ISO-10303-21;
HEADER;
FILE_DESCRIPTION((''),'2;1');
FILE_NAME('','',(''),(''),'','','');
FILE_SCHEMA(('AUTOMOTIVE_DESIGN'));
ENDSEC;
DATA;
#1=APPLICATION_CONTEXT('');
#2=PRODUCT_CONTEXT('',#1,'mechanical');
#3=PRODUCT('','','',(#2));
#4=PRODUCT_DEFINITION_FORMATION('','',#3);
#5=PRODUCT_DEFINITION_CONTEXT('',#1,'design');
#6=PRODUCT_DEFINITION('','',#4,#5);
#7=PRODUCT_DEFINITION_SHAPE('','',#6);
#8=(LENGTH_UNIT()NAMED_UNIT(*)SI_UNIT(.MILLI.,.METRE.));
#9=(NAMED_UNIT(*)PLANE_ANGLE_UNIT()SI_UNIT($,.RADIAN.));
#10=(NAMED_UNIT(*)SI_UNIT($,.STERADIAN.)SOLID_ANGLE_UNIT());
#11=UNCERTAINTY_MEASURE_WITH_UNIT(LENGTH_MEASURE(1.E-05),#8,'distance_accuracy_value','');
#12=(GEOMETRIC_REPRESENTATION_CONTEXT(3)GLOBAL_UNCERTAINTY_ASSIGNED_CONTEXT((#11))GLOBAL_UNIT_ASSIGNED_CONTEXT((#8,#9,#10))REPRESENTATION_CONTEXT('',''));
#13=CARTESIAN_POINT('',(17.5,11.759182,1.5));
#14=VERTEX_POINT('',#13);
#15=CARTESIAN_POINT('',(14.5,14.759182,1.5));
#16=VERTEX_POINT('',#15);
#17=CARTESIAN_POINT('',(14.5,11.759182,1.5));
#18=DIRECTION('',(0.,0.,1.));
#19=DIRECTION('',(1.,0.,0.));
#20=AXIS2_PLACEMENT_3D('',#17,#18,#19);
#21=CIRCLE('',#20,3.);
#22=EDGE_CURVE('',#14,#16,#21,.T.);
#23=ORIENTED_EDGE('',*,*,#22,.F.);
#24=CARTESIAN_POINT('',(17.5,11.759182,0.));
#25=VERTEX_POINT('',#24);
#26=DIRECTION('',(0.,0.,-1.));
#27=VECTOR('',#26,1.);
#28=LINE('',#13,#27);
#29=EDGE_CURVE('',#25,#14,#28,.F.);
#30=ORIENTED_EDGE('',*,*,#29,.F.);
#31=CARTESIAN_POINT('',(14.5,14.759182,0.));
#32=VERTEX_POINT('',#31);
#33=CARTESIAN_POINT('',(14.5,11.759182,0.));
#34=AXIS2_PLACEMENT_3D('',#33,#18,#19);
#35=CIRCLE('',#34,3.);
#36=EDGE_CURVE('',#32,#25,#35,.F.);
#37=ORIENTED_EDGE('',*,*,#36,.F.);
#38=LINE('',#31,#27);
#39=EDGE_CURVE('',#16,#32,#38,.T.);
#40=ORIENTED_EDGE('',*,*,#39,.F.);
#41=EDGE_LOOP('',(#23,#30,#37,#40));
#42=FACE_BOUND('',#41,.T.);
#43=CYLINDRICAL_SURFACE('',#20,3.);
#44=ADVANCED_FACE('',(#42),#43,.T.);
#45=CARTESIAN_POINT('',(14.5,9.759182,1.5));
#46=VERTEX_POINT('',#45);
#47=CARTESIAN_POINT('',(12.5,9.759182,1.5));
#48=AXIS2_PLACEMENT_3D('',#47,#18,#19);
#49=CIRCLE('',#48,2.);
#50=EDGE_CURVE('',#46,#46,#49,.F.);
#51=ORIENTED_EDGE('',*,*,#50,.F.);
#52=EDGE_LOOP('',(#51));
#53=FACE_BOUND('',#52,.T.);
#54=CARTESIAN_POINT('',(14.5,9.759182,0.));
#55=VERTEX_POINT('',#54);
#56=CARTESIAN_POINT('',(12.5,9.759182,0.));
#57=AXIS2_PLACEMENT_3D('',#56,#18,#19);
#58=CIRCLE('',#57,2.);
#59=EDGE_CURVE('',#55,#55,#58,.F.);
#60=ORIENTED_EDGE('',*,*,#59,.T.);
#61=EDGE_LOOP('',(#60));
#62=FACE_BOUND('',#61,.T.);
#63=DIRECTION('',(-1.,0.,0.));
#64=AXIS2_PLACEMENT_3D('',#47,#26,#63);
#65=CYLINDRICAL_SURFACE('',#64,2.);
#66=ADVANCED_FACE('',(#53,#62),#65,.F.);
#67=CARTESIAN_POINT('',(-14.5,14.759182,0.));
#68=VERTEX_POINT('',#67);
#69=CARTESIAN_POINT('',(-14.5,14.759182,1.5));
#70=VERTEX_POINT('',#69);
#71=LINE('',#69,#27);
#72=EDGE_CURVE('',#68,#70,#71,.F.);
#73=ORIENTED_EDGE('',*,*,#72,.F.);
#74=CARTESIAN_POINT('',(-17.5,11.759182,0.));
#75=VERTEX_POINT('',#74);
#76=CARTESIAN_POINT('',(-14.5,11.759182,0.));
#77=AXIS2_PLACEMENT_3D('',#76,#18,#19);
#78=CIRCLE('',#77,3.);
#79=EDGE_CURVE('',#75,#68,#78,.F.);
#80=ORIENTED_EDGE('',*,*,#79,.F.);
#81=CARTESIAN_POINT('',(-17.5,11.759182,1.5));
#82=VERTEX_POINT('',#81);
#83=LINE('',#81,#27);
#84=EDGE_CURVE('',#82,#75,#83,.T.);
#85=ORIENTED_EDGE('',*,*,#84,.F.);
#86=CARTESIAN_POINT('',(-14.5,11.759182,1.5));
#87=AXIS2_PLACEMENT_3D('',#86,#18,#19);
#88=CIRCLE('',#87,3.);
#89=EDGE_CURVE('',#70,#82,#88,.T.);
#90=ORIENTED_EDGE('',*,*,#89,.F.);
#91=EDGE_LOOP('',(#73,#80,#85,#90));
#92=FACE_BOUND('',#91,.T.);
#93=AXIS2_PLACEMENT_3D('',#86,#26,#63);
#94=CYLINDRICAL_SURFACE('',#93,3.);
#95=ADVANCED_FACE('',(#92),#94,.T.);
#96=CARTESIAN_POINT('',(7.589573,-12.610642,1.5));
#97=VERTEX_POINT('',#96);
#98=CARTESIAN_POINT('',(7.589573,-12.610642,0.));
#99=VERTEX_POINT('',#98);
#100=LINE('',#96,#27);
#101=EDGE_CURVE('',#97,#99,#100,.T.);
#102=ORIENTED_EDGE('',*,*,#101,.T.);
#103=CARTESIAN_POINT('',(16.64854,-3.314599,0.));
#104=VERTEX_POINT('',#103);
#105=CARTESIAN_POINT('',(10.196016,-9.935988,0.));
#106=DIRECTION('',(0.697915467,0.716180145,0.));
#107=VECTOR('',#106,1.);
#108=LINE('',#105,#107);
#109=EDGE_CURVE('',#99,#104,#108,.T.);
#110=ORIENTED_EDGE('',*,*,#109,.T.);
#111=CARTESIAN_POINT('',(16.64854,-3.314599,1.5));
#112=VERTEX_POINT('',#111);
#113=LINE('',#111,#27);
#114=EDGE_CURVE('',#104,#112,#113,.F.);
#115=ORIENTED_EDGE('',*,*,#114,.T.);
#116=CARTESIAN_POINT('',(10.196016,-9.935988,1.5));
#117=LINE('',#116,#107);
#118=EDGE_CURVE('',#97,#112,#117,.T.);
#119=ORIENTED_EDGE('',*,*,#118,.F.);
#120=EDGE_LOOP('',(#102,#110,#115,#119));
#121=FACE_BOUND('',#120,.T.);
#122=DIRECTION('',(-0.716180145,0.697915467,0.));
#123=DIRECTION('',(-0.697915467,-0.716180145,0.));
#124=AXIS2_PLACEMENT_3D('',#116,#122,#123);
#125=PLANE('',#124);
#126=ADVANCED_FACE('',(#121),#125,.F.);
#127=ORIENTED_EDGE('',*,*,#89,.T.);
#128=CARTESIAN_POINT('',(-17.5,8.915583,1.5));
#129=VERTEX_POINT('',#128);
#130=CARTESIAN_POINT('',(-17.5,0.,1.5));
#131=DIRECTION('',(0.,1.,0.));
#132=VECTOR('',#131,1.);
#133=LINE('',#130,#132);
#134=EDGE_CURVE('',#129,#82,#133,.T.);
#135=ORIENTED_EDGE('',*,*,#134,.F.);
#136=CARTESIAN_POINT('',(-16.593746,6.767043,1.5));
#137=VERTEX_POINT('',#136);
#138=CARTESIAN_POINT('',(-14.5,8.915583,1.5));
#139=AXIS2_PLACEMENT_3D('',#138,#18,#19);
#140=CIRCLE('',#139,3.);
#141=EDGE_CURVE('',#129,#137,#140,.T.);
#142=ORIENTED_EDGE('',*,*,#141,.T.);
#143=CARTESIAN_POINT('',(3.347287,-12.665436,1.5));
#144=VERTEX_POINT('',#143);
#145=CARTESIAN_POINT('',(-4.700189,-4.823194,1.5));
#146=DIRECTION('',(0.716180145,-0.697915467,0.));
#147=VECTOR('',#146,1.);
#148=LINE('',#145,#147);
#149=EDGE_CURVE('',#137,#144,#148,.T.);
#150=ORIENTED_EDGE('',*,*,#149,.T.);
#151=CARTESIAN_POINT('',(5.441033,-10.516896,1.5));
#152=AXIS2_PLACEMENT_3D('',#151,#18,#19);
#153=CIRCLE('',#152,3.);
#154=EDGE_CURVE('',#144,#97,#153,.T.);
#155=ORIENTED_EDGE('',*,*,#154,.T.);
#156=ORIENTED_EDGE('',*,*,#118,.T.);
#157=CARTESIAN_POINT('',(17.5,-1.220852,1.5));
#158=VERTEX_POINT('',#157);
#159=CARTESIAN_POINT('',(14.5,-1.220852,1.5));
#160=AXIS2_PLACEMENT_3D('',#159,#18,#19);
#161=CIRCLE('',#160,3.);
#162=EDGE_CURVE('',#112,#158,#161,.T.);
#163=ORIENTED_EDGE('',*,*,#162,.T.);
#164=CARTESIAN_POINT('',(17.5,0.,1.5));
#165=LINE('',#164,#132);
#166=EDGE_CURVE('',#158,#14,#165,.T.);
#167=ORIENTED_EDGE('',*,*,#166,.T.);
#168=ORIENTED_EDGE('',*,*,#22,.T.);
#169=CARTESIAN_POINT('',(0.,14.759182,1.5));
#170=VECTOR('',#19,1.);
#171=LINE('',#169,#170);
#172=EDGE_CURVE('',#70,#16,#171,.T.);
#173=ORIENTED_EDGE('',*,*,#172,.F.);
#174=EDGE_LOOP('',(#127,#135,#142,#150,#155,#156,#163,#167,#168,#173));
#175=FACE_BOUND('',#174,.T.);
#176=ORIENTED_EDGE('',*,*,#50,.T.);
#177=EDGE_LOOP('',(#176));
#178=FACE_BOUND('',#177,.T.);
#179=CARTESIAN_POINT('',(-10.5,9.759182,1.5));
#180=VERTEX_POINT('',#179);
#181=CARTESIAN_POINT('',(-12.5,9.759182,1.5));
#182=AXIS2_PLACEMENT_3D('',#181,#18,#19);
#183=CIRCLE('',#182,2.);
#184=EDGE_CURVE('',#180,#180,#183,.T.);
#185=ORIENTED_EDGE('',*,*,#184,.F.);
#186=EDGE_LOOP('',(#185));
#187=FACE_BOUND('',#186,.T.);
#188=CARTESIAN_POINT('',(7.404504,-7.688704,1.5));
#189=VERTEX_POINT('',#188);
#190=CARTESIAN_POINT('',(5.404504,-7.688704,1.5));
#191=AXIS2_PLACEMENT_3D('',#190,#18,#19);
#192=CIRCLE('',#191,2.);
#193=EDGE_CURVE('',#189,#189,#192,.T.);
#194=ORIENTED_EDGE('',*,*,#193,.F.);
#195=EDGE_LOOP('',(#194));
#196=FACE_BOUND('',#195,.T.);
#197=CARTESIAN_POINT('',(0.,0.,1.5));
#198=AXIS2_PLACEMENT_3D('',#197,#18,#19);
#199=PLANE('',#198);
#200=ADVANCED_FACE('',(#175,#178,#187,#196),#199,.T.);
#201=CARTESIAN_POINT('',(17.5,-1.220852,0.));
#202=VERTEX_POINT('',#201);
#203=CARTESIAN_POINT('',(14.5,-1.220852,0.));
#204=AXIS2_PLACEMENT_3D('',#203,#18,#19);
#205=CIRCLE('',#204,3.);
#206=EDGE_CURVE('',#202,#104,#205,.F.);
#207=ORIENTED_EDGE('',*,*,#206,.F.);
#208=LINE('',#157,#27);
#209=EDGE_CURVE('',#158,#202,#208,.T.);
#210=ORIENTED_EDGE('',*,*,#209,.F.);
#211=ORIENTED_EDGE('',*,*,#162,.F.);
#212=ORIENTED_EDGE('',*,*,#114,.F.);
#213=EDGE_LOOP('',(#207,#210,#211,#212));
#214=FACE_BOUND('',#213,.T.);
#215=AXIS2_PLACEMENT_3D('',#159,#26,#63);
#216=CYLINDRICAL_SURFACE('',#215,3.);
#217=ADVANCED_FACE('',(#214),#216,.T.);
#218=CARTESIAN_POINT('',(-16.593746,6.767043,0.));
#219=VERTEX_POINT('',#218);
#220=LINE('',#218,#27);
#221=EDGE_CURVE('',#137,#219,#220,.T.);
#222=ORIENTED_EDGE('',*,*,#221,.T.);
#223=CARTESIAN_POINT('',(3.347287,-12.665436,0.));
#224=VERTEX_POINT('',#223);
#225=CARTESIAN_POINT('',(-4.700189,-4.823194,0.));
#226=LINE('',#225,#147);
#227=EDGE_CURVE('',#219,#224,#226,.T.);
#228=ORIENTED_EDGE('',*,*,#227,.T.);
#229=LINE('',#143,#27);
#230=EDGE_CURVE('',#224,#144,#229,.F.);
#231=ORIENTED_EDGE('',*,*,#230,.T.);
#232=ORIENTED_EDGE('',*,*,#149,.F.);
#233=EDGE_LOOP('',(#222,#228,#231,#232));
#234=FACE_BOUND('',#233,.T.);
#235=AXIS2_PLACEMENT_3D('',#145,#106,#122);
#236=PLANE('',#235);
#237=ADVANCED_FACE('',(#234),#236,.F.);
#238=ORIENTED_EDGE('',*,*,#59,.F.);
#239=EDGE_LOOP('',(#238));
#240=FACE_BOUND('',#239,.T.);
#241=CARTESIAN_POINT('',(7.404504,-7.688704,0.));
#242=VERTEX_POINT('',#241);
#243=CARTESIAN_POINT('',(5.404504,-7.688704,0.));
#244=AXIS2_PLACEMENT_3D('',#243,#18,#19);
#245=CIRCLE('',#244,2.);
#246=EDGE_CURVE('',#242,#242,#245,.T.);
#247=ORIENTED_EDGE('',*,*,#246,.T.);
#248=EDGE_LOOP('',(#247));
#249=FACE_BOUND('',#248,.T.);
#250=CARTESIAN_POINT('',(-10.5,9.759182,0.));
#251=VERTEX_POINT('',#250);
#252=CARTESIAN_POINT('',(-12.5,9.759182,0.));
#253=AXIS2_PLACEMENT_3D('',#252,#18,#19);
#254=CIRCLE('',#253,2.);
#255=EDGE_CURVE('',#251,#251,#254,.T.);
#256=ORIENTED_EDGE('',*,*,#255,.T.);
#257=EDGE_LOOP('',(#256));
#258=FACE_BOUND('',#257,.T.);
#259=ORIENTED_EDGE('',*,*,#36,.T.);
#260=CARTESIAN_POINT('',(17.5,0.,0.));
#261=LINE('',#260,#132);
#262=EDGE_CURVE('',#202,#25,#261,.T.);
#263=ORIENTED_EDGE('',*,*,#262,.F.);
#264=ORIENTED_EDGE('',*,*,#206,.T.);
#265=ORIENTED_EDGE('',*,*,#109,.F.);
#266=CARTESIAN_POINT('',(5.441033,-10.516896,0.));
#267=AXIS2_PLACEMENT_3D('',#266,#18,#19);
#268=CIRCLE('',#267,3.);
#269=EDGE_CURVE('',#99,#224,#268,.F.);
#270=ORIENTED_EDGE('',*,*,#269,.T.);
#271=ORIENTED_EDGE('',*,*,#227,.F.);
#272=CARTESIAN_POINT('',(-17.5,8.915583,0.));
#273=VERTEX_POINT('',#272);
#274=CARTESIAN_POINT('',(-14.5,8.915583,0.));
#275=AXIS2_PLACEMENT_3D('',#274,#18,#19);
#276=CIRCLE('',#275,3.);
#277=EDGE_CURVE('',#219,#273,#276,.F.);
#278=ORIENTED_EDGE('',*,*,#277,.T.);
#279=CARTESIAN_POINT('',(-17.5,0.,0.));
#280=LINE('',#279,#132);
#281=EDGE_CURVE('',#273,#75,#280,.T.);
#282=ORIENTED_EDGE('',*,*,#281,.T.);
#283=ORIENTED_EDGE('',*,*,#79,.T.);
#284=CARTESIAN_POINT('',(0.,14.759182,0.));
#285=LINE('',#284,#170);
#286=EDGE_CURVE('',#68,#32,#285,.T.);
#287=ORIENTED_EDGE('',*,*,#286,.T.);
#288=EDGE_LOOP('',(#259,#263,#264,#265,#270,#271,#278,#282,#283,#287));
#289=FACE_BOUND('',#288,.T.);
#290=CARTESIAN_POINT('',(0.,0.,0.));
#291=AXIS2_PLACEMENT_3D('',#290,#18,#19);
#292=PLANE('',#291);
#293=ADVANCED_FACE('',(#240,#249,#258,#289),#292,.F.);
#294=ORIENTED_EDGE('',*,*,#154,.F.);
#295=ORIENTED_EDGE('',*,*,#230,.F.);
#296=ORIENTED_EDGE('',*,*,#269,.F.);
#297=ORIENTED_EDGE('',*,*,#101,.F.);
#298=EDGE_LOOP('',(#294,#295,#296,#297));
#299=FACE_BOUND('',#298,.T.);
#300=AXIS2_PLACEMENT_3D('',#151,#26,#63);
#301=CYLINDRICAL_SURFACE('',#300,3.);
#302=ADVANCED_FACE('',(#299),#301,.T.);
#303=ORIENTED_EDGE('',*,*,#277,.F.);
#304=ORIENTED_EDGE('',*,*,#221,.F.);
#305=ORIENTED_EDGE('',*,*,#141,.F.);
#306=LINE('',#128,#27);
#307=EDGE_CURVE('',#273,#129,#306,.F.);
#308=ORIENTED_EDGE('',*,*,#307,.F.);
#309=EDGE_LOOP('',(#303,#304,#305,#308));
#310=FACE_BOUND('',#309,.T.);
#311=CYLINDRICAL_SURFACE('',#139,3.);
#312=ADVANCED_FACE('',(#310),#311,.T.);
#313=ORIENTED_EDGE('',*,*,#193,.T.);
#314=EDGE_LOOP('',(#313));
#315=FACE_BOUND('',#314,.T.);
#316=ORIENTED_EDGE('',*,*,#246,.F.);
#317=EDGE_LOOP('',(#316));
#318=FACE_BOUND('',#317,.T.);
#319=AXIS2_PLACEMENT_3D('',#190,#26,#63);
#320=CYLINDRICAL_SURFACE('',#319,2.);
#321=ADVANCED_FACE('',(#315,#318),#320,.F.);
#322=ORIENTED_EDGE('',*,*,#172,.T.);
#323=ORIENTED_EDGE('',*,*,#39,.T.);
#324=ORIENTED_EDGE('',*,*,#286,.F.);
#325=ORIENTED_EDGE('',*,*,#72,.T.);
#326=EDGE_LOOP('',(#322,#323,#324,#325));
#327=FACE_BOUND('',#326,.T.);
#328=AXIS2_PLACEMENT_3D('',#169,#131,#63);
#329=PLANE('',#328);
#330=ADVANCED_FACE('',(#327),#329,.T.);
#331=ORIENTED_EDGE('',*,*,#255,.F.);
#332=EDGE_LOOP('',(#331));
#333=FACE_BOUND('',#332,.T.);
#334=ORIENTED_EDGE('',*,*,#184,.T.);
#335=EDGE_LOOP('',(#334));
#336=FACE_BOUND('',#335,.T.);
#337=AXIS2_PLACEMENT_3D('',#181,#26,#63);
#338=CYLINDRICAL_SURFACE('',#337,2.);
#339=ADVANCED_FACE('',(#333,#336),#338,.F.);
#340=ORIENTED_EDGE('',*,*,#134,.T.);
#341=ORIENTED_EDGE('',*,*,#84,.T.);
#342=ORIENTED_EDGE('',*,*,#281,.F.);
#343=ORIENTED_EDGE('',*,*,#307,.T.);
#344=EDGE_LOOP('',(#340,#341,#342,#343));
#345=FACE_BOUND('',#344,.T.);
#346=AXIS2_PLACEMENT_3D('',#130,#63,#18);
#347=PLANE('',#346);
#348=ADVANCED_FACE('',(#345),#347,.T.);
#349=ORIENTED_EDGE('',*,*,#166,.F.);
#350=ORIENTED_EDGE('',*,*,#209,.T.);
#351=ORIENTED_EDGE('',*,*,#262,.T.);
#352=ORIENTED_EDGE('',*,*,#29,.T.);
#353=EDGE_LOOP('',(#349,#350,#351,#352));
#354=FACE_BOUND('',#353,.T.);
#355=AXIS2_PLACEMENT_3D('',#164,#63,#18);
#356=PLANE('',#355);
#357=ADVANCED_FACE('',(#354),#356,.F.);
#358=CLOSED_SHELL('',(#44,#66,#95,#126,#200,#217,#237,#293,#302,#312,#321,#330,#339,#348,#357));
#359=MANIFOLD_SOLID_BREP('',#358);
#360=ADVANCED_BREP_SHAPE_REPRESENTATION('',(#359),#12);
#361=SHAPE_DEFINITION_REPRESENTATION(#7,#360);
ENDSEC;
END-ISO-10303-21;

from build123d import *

# Parameters (mm, degrees)
SKETCH_1_R      = 2
EXTRUDE_1_DEPTH = 1.5
FILLET_1_R      = 3


with BuildPart() as part:
    # ｽｹｯﾁ1 → ﾎﾞｽ - 押し出し1 (new body)
    with BuildSketch(Plane.XY):
        Polygon((-17.5, 7.650184139), (5.495827016, -14.759182375), (17.5, -2.440856231), (17.5, 14.759182375), (-17.5, 14.759182375), align=None)
        with Locations((5.404503628, -7.688704312)):
            Circle(SKETCH_1_R, mode=Mode.SUBTRACT)
        with Locations((-12.5, 9.759182375)):
            Circle(SKETCH_1_R, mode=Mode.SUBTRACT)
        with Locations((12.5, 9.759182375)):
            Circle(SKETCH_1_R, mode=Mode.SUBTRACT)
    extrude(amount=EXTRUDE_1_DEPTH)

    # ﾌｨﾚｯﾄ1
    fillet_1_edges = [part.edges().sort_by_distance(p)[0] for p in [
        (-17.5, 7.650184139, 0.75),
        (-17.5, 14.759182375, 0.75),
        (17.5, 14.759182375, 0.75),
        (17.5, -2.440856231, 0.75),
        (5.495827016, -14.759182375, 0.75),
    ]]
    fillet(fillet_1_edges, radius=FILLET_1_R)


solid = part.part
